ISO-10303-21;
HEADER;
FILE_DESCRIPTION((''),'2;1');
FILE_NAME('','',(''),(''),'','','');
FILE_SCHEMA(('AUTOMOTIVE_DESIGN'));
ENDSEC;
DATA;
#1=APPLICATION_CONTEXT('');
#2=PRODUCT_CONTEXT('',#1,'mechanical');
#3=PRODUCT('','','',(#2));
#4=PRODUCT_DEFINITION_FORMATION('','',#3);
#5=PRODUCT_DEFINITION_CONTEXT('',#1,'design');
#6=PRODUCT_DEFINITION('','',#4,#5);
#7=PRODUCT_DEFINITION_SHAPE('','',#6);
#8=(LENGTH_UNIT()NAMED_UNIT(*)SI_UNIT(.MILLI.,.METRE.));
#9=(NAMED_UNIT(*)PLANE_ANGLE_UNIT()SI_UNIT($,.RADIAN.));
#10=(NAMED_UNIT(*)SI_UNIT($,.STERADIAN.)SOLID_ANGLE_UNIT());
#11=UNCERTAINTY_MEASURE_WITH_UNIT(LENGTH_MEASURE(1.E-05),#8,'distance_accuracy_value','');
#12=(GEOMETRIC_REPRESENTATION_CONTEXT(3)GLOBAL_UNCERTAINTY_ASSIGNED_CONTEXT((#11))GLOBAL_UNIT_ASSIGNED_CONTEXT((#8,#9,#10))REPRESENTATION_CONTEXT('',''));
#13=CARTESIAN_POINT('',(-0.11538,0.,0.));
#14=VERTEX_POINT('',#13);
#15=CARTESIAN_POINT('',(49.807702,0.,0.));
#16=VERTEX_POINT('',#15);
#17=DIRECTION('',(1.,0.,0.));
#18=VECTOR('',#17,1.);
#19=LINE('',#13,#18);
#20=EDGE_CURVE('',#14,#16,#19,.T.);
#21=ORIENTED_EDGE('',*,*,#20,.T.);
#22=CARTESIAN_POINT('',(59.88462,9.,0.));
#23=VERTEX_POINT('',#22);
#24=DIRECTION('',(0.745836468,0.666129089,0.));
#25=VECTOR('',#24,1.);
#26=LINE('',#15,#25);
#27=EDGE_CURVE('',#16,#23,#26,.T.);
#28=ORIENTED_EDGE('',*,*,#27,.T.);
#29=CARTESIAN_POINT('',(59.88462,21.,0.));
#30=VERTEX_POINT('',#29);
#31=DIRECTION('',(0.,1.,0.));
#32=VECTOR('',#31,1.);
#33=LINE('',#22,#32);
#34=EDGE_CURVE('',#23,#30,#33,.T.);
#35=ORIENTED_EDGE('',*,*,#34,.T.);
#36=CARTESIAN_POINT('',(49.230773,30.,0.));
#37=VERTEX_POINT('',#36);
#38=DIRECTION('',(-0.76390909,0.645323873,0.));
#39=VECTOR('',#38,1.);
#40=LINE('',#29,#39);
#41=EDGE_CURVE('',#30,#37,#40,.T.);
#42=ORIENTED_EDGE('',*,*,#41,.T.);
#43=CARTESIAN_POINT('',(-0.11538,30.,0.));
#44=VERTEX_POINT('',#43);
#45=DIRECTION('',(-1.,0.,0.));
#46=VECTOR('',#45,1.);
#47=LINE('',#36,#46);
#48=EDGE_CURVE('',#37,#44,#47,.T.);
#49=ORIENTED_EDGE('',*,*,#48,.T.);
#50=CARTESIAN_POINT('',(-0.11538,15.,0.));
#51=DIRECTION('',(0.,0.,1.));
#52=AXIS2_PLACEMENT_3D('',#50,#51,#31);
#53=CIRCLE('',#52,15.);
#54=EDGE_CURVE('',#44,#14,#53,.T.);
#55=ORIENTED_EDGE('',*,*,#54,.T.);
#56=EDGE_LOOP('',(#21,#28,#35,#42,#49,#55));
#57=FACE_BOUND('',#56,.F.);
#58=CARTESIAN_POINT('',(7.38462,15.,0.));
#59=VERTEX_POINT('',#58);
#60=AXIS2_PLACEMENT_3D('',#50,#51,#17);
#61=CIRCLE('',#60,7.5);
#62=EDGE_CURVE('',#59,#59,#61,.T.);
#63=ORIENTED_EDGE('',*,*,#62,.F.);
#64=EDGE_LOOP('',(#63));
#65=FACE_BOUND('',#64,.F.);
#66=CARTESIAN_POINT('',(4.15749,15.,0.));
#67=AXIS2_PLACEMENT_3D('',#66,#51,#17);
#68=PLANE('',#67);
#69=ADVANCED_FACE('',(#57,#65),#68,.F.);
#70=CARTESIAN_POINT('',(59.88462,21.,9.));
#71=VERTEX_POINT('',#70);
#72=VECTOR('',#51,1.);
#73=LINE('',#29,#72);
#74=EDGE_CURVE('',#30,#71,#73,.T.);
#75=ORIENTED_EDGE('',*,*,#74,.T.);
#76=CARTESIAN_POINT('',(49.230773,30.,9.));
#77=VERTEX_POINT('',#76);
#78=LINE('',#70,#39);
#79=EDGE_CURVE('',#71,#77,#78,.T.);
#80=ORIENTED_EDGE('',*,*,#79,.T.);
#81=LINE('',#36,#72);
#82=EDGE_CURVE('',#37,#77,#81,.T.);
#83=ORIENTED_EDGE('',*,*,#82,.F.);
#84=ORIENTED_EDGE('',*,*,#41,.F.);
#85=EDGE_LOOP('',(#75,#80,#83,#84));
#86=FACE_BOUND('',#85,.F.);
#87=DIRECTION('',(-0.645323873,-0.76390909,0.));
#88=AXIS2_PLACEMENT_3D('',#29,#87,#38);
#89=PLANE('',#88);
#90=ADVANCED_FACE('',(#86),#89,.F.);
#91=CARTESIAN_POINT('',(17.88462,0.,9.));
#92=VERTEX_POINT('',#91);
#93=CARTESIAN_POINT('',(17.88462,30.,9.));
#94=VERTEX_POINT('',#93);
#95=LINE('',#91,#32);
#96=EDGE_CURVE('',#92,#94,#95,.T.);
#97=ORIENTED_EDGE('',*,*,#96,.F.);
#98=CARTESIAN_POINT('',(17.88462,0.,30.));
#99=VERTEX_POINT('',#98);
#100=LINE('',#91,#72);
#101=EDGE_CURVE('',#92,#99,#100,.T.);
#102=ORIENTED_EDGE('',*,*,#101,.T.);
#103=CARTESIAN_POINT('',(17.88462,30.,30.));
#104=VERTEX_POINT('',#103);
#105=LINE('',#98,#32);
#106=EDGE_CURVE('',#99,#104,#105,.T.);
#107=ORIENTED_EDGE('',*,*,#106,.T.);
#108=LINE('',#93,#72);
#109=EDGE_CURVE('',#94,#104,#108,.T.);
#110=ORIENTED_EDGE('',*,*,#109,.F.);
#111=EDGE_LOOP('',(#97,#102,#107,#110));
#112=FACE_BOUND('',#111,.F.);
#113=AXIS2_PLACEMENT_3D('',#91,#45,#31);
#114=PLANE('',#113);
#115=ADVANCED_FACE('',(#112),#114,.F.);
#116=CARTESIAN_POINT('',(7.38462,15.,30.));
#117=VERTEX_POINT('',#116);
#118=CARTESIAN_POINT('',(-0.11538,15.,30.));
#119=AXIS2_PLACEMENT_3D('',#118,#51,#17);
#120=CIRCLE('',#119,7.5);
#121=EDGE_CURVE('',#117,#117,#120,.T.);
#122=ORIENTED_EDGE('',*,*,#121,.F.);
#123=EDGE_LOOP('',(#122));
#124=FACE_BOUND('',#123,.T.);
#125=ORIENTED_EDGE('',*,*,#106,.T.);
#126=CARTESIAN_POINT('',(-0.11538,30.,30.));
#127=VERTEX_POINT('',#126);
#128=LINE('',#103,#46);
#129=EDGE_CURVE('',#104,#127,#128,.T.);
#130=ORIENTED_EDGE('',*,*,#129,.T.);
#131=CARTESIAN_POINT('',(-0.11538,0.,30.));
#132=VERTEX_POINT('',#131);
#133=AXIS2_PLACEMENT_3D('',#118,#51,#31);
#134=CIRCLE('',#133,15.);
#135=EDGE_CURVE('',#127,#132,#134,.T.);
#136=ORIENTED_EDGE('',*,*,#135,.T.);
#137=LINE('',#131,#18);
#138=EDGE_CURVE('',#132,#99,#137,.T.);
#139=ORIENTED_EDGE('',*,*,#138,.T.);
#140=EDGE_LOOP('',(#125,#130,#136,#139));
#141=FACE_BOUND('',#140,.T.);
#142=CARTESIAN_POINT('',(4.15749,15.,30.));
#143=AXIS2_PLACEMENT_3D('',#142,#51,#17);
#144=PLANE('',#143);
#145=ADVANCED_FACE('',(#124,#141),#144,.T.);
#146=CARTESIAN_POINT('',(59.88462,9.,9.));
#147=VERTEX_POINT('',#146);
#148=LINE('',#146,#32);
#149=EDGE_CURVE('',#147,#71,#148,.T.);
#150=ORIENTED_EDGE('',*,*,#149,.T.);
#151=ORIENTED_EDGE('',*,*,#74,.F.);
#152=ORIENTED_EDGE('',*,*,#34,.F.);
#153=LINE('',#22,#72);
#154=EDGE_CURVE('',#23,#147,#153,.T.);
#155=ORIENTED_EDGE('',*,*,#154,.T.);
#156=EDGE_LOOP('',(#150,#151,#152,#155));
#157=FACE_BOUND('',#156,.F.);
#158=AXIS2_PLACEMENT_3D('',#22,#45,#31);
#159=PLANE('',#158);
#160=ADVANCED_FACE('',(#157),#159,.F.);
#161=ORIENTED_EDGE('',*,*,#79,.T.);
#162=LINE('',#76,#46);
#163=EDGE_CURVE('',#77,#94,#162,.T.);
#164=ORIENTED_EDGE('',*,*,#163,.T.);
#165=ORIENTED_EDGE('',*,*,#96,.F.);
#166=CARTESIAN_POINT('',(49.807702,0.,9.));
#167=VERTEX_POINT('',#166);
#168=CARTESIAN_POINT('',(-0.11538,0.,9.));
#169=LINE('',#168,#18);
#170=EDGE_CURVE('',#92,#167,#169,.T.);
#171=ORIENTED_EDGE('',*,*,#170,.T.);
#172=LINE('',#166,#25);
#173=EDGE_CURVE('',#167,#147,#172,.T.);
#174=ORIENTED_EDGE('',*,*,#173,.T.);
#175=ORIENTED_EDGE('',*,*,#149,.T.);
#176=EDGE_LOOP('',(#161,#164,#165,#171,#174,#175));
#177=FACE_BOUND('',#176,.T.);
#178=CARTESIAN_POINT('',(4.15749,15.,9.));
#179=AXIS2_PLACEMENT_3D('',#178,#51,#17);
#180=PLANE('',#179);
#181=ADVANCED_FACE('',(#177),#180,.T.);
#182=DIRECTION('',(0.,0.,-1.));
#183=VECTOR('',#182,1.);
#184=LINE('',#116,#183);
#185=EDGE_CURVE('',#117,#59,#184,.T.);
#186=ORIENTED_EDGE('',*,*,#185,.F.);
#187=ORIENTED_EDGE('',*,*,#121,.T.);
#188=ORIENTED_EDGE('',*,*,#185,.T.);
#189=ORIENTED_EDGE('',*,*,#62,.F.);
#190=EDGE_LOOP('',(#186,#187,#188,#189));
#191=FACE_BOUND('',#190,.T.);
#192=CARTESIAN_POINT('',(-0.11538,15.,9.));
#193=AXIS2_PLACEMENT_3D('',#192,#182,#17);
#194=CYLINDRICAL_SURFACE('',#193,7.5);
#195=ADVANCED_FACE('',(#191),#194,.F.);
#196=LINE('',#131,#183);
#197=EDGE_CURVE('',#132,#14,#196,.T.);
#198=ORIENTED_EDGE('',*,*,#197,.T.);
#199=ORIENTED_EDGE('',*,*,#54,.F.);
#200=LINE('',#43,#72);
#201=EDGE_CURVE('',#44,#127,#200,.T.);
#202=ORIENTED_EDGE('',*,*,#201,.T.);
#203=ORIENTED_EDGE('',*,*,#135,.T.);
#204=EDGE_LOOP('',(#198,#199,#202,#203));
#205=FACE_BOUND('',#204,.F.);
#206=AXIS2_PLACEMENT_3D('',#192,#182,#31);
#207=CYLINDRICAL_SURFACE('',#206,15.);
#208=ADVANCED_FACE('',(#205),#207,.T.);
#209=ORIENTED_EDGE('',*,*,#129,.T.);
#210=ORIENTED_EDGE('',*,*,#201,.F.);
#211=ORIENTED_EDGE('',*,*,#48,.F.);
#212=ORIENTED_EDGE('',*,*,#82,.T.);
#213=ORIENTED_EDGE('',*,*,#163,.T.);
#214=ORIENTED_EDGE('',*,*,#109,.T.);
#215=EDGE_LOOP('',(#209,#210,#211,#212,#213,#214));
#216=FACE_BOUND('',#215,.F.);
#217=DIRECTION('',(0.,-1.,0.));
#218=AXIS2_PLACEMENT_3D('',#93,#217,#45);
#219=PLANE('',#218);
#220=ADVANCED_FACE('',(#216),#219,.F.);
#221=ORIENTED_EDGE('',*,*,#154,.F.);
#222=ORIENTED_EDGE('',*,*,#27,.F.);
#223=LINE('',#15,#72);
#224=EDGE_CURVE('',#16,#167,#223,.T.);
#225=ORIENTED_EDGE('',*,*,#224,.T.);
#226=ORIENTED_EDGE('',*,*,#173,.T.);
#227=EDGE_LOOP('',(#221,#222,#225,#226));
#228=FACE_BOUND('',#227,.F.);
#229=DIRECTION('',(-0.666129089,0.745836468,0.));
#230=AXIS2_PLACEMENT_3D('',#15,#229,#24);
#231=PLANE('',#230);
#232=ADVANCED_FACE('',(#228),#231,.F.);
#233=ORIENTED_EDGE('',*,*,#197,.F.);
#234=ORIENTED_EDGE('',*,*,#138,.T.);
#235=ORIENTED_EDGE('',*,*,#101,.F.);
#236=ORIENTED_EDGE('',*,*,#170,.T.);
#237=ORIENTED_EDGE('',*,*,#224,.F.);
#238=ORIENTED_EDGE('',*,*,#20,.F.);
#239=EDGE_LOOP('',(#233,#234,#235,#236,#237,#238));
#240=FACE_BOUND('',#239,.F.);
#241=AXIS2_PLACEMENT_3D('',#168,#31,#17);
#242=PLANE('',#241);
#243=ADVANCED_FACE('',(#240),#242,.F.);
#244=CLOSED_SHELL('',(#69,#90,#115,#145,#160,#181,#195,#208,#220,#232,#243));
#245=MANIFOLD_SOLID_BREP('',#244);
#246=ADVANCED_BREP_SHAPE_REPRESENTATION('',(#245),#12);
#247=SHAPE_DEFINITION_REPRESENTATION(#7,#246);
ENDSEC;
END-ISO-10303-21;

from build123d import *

# Parameters (mm, degrees)
F0_R     = 7.5
F1_DEPTH = 9
F2_R     = 7.5
F3_DEPTH = 21


with BuildPart() as f1:
    # F0 (on Top) → F1 (new body)
    with BuildSketch(Plane.XY):
        with BuildLine():
            Line((-0.11538, 0), (17.88462, 0))
            Line((17.88462, 0), (17.88462, 30))
            Line((17.88462, 30), (-0.11538, 30))
            ThreePointArc((-0.11538, 30), (-15.11538, 15), (-0.11538, 0))
        make_face()
        with Locations((-0.11538, 15)):
            Circle(F0_R, mode=Mode.SUBTRACT)
        Polygon((17.88462, 30), (17.88462, 0), (49.807702, 0), (59.88462, 9), (59.88462, 21), (49.230773, 30), align=None)
    extrude(amount=F1_DEPTH)

    # F2 (on face) → F3 (join)
    with BuildSketch(Plane.XY.offset(9)):
        with BuildLine():
            Line((17.88462, 0), (17.88462, 30))
            Line((17.88462, 30), (-0.11538, 30))
            ThreePointArc((-0.11538, 30), (-15.11538, 15), (-0.11538, 0))
            Line((-0.11538, 0), (17.88462, 0))
        make_face()
        with Locations((-0.11538, 15)):
            Circle(F2_R, mode=Mode.SUBTRACT)
    extrude(amount=F3_DEPTH)


solid = f1.part
